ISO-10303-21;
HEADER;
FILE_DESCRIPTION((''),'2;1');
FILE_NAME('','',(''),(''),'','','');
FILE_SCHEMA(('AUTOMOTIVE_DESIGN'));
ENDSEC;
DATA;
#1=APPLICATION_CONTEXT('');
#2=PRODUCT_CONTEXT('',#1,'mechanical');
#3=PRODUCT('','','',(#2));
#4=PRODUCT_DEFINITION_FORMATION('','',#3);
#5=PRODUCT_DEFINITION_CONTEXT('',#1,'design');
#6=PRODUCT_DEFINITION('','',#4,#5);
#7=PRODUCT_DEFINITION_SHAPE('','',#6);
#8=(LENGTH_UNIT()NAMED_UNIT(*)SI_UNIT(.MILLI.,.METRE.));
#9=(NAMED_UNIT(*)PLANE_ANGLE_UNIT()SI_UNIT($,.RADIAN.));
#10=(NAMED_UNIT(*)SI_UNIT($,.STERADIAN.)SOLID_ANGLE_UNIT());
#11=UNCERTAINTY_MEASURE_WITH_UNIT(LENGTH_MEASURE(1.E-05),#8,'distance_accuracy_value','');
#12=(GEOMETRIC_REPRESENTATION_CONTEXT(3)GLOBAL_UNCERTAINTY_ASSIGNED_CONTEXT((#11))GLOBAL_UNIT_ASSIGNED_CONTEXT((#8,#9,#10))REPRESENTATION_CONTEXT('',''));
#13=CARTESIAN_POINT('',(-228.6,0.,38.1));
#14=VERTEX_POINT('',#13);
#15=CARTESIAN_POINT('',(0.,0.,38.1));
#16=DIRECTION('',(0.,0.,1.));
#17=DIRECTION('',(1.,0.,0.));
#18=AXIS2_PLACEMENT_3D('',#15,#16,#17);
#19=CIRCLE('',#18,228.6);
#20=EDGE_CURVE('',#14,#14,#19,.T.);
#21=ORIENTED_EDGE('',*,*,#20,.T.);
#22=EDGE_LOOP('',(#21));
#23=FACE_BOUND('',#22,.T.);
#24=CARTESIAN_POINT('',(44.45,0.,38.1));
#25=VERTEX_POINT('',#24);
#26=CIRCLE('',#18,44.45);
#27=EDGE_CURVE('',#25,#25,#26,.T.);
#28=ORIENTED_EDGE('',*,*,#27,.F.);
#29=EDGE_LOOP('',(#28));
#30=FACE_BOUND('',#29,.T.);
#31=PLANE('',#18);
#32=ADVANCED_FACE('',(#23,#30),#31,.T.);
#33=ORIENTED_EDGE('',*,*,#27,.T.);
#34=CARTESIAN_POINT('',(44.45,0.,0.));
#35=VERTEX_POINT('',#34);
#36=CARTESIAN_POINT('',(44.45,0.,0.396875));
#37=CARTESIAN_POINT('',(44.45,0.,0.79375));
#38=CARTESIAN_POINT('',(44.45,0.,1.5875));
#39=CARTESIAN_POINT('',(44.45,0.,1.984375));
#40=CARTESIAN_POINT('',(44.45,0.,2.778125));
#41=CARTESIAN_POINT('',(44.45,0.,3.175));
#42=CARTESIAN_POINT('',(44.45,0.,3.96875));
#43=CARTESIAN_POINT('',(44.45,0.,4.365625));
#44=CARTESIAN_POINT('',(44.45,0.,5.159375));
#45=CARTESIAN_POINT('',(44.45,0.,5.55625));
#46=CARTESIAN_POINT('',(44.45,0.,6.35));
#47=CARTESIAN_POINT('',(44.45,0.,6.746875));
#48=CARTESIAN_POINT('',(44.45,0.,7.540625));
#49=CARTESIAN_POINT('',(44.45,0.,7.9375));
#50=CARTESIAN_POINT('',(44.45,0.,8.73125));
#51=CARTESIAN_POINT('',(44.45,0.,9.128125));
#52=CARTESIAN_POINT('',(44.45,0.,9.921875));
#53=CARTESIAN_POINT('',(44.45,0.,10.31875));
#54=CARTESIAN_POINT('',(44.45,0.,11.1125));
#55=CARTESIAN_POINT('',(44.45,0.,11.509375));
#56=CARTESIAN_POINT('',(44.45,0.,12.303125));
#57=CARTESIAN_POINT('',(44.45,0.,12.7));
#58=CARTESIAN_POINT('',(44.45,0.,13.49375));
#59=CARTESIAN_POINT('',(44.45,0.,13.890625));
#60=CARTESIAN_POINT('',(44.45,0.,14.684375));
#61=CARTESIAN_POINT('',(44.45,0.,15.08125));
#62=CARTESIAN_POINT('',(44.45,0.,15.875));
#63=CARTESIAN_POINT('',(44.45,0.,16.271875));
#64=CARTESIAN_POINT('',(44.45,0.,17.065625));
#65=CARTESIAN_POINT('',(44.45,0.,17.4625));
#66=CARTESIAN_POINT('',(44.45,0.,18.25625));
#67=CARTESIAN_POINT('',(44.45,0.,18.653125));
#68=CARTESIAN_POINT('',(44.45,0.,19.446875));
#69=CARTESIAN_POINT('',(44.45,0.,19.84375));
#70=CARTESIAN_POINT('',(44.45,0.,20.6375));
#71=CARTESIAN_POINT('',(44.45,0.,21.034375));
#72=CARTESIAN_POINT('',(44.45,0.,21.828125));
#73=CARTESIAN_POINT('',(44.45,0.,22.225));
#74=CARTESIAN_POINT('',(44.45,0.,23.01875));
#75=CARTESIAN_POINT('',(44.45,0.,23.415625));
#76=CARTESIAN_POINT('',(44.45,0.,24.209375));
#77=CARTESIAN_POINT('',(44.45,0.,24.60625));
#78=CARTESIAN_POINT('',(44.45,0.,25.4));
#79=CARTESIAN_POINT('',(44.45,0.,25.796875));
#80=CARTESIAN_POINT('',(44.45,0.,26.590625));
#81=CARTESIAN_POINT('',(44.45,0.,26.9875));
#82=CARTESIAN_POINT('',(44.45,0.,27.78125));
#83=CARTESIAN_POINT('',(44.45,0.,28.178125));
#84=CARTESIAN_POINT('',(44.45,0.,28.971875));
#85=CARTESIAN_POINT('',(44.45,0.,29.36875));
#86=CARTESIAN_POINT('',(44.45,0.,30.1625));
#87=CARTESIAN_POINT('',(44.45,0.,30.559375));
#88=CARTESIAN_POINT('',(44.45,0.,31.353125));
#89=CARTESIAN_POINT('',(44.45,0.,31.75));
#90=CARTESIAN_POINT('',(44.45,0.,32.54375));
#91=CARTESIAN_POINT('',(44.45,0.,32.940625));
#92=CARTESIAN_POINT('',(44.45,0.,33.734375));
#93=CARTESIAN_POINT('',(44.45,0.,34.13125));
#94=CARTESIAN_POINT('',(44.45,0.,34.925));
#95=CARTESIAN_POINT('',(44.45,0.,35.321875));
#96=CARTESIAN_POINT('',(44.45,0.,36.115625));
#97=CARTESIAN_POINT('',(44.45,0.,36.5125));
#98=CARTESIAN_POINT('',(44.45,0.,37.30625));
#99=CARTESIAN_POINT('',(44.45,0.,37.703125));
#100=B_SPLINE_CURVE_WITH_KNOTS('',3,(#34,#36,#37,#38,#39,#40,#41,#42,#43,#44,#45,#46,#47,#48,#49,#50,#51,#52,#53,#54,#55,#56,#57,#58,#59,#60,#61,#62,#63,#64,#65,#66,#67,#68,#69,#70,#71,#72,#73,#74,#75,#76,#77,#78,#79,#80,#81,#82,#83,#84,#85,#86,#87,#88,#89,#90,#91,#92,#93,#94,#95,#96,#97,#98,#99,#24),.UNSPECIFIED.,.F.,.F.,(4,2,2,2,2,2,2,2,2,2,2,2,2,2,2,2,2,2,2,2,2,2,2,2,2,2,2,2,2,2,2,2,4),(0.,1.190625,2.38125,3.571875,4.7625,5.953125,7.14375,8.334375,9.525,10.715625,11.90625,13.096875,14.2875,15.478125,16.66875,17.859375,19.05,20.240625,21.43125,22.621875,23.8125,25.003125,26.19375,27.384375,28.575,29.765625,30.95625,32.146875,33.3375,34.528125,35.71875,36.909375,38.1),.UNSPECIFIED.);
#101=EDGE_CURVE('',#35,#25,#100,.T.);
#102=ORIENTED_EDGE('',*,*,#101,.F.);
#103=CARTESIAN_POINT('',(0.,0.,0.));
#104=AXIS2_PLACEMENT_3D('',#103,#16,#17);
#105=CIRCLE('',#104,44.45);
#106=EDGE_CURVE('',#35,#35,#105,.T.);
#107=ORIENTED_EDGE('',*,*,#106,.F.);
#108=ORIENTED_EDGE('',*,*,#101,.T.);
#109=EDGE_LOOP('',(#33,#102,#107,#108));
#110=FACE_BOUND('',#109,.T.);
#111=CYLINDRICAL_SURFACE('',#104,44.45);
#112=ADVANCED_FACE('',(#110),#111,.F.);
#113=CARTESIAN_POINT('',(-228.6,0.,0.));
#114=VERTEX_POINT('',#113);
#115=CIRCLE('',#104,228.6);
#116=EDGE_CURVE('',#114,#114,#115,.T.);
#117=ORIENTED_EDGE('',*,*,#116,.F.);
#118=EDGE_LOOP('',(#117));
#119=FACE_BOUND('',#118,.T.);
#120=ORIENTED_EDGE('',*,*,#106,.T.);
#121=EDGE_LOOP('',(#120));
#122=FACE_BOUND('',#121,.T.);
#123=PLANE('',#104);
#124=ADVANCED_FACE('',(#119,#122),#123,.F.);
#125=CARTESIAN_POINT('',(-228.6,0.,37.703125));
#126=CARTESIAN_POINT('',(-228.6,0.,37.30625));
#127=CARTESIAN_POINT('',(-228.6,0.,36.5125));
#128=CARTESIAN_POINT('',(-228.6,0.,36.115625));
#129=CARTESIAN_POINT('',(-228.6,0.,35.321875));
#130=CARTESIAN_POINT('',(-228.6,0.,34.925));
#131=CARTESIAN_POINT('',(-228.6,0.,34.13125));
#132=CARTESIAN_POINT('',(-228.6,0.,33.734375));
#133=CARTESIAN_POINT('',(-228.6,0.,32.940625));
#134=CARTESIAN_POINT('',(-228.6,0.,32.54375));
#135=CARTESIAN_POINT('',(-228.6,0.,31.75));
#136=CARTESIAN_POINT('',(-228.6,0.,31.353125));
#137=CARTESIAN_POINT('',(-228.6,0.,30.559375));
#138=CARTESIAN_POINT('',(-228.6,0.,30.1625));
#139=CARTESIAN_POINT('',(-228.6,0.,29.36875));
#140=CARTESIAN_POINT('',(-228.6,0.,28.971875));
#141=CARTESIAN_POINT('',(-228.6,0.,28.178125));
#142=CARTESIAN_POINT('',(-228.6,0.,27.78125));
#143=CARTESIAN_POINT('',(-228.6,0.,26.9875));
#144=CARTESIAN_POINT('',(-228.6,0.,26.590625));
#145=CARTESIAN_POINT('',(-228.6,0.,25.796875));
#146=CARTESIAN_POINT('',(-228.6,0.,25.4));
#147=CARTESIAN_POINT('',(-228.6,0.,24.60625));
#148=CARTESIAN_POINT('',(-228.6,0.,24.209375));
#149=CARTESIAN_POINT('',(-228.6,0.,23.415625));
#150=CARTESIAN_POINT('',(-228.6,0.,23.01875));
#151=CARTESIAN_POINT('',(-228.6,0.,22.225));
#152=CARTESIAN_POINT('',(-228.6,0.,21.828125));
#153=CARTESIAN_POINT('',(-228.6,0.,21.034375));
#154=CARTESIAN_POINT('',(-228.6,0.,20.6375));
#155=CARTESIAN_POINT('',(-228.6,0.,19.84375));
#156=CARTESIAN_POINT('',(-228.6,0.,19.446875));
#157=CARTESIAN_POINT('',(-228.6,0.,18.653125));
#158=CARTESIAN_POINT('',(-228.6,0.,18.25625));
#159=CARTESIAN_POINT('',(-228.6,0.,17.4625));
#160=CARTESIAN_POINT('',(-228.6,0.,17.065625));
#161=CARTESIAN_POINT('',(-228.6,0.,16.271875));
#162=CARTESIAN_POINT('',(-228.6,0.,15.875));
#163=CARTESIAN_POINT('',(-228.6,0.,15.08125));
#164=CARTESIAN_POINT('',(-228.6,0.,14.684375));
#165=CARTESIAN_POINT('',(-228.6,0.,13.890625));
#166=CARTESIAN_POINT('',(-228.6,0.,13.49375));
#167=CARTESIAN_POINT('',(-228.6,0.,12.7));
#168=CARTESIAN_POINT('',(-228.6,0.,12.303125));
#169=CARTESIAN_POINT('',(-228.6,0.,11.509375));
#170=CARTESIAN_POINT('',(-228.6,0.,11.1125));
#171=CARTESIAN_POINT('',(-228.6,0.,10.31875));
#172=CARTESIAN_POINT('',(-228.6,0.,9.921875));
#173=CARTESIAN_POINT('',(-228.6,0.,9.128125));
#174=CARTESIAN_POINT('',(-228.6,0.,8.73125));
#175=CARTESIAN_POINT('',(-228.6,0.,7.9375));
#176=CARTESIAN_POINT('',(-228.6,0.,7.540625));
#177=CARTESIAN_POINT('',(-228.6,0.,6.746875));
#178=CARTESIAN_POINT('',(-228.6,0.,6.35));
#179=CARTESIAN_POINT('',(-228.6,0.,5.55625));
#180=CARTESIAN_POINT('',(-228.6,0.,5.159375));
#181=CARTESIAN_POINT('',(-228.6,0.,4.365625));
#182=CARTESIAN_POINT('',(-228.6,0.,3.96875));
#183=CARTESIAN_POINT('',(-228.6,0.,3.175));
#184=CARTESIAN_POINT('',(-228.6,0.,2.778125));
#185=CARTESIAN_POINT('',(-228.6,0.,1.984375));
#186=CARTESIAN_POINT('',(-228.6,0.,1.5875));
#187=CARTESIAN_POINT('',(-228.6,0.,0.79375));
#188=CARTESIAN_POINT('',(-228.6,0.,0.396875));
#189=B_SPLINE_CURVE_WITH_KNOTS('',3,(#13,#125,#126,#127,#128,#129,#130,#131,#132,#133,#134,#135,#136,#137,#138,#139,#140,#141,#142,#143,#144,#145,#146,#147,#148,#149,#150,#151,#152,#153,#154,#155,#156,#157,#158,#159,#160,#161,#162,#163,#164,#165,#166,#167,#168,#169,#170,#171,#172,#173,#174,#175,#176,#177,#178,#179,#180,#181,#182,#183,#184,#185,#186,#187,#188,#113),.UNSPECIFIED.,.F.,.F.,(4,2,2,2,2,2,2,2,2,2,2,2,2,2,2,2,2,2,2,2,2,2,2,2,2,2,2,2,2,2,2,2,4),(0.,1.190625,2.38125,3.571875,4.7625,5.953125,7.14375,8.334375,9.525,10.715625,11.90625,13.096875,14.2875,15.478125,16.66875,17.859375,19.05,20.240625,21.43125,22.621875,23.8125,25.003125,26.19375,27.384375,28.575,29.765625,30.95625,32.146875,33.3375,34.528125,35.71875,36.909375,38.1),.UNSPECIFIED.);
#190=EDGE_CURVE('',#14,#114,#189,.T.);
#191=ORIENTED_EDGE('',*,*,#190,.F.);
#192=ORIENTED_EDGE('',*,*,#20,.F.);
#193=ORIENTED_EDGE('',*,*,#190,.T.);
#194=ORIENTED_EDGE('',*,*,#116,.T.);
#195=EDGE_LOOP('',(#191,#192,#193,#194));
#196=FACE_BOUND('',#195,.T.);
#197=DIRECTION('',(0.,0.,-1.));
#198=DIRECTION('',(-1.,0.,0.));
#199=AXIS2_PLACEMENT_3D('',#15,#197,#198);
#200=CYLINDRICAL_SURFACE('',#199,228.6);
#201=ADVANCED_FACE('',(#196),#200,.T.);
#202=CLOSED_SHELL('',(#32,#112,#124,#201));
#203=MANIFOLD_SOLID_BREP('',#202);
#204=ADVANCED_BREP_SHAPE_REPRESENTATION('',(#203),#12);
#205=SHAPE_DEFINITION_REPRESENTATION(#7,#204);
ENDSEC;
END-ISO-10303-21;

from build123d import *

# Parameters (mm, degrees)
SKETCH1_R           = 228.6
BOSS_EXTRUDE1_DEPTH = 38.1
SKETCH2_R           = 44.45
CUT_EXTRUDE1_DEPTH  = 38.1


with BuildPart() as part:
    # Sketch1 → Boss-Extrude1 (new body)
    with BuildSketch(Plane.XY):
        with Locations(Location((0, 0, 0), (0, 0, 180))):
            Circle(SKETCH1_R)
    extrude(amount=BOSS_EXTRUDE1_DEPTH)

    # Sketch2 → Cut-Extrude1 (cut)
    with BuildSketch(Plane.XY.offset(38.1)):
        Circle(SKETCH2_R)
    extrude(amount=-CUT_EXTRUDE1_DEPTH, mode=Mode.SUBTRACT)


solid = part.part
